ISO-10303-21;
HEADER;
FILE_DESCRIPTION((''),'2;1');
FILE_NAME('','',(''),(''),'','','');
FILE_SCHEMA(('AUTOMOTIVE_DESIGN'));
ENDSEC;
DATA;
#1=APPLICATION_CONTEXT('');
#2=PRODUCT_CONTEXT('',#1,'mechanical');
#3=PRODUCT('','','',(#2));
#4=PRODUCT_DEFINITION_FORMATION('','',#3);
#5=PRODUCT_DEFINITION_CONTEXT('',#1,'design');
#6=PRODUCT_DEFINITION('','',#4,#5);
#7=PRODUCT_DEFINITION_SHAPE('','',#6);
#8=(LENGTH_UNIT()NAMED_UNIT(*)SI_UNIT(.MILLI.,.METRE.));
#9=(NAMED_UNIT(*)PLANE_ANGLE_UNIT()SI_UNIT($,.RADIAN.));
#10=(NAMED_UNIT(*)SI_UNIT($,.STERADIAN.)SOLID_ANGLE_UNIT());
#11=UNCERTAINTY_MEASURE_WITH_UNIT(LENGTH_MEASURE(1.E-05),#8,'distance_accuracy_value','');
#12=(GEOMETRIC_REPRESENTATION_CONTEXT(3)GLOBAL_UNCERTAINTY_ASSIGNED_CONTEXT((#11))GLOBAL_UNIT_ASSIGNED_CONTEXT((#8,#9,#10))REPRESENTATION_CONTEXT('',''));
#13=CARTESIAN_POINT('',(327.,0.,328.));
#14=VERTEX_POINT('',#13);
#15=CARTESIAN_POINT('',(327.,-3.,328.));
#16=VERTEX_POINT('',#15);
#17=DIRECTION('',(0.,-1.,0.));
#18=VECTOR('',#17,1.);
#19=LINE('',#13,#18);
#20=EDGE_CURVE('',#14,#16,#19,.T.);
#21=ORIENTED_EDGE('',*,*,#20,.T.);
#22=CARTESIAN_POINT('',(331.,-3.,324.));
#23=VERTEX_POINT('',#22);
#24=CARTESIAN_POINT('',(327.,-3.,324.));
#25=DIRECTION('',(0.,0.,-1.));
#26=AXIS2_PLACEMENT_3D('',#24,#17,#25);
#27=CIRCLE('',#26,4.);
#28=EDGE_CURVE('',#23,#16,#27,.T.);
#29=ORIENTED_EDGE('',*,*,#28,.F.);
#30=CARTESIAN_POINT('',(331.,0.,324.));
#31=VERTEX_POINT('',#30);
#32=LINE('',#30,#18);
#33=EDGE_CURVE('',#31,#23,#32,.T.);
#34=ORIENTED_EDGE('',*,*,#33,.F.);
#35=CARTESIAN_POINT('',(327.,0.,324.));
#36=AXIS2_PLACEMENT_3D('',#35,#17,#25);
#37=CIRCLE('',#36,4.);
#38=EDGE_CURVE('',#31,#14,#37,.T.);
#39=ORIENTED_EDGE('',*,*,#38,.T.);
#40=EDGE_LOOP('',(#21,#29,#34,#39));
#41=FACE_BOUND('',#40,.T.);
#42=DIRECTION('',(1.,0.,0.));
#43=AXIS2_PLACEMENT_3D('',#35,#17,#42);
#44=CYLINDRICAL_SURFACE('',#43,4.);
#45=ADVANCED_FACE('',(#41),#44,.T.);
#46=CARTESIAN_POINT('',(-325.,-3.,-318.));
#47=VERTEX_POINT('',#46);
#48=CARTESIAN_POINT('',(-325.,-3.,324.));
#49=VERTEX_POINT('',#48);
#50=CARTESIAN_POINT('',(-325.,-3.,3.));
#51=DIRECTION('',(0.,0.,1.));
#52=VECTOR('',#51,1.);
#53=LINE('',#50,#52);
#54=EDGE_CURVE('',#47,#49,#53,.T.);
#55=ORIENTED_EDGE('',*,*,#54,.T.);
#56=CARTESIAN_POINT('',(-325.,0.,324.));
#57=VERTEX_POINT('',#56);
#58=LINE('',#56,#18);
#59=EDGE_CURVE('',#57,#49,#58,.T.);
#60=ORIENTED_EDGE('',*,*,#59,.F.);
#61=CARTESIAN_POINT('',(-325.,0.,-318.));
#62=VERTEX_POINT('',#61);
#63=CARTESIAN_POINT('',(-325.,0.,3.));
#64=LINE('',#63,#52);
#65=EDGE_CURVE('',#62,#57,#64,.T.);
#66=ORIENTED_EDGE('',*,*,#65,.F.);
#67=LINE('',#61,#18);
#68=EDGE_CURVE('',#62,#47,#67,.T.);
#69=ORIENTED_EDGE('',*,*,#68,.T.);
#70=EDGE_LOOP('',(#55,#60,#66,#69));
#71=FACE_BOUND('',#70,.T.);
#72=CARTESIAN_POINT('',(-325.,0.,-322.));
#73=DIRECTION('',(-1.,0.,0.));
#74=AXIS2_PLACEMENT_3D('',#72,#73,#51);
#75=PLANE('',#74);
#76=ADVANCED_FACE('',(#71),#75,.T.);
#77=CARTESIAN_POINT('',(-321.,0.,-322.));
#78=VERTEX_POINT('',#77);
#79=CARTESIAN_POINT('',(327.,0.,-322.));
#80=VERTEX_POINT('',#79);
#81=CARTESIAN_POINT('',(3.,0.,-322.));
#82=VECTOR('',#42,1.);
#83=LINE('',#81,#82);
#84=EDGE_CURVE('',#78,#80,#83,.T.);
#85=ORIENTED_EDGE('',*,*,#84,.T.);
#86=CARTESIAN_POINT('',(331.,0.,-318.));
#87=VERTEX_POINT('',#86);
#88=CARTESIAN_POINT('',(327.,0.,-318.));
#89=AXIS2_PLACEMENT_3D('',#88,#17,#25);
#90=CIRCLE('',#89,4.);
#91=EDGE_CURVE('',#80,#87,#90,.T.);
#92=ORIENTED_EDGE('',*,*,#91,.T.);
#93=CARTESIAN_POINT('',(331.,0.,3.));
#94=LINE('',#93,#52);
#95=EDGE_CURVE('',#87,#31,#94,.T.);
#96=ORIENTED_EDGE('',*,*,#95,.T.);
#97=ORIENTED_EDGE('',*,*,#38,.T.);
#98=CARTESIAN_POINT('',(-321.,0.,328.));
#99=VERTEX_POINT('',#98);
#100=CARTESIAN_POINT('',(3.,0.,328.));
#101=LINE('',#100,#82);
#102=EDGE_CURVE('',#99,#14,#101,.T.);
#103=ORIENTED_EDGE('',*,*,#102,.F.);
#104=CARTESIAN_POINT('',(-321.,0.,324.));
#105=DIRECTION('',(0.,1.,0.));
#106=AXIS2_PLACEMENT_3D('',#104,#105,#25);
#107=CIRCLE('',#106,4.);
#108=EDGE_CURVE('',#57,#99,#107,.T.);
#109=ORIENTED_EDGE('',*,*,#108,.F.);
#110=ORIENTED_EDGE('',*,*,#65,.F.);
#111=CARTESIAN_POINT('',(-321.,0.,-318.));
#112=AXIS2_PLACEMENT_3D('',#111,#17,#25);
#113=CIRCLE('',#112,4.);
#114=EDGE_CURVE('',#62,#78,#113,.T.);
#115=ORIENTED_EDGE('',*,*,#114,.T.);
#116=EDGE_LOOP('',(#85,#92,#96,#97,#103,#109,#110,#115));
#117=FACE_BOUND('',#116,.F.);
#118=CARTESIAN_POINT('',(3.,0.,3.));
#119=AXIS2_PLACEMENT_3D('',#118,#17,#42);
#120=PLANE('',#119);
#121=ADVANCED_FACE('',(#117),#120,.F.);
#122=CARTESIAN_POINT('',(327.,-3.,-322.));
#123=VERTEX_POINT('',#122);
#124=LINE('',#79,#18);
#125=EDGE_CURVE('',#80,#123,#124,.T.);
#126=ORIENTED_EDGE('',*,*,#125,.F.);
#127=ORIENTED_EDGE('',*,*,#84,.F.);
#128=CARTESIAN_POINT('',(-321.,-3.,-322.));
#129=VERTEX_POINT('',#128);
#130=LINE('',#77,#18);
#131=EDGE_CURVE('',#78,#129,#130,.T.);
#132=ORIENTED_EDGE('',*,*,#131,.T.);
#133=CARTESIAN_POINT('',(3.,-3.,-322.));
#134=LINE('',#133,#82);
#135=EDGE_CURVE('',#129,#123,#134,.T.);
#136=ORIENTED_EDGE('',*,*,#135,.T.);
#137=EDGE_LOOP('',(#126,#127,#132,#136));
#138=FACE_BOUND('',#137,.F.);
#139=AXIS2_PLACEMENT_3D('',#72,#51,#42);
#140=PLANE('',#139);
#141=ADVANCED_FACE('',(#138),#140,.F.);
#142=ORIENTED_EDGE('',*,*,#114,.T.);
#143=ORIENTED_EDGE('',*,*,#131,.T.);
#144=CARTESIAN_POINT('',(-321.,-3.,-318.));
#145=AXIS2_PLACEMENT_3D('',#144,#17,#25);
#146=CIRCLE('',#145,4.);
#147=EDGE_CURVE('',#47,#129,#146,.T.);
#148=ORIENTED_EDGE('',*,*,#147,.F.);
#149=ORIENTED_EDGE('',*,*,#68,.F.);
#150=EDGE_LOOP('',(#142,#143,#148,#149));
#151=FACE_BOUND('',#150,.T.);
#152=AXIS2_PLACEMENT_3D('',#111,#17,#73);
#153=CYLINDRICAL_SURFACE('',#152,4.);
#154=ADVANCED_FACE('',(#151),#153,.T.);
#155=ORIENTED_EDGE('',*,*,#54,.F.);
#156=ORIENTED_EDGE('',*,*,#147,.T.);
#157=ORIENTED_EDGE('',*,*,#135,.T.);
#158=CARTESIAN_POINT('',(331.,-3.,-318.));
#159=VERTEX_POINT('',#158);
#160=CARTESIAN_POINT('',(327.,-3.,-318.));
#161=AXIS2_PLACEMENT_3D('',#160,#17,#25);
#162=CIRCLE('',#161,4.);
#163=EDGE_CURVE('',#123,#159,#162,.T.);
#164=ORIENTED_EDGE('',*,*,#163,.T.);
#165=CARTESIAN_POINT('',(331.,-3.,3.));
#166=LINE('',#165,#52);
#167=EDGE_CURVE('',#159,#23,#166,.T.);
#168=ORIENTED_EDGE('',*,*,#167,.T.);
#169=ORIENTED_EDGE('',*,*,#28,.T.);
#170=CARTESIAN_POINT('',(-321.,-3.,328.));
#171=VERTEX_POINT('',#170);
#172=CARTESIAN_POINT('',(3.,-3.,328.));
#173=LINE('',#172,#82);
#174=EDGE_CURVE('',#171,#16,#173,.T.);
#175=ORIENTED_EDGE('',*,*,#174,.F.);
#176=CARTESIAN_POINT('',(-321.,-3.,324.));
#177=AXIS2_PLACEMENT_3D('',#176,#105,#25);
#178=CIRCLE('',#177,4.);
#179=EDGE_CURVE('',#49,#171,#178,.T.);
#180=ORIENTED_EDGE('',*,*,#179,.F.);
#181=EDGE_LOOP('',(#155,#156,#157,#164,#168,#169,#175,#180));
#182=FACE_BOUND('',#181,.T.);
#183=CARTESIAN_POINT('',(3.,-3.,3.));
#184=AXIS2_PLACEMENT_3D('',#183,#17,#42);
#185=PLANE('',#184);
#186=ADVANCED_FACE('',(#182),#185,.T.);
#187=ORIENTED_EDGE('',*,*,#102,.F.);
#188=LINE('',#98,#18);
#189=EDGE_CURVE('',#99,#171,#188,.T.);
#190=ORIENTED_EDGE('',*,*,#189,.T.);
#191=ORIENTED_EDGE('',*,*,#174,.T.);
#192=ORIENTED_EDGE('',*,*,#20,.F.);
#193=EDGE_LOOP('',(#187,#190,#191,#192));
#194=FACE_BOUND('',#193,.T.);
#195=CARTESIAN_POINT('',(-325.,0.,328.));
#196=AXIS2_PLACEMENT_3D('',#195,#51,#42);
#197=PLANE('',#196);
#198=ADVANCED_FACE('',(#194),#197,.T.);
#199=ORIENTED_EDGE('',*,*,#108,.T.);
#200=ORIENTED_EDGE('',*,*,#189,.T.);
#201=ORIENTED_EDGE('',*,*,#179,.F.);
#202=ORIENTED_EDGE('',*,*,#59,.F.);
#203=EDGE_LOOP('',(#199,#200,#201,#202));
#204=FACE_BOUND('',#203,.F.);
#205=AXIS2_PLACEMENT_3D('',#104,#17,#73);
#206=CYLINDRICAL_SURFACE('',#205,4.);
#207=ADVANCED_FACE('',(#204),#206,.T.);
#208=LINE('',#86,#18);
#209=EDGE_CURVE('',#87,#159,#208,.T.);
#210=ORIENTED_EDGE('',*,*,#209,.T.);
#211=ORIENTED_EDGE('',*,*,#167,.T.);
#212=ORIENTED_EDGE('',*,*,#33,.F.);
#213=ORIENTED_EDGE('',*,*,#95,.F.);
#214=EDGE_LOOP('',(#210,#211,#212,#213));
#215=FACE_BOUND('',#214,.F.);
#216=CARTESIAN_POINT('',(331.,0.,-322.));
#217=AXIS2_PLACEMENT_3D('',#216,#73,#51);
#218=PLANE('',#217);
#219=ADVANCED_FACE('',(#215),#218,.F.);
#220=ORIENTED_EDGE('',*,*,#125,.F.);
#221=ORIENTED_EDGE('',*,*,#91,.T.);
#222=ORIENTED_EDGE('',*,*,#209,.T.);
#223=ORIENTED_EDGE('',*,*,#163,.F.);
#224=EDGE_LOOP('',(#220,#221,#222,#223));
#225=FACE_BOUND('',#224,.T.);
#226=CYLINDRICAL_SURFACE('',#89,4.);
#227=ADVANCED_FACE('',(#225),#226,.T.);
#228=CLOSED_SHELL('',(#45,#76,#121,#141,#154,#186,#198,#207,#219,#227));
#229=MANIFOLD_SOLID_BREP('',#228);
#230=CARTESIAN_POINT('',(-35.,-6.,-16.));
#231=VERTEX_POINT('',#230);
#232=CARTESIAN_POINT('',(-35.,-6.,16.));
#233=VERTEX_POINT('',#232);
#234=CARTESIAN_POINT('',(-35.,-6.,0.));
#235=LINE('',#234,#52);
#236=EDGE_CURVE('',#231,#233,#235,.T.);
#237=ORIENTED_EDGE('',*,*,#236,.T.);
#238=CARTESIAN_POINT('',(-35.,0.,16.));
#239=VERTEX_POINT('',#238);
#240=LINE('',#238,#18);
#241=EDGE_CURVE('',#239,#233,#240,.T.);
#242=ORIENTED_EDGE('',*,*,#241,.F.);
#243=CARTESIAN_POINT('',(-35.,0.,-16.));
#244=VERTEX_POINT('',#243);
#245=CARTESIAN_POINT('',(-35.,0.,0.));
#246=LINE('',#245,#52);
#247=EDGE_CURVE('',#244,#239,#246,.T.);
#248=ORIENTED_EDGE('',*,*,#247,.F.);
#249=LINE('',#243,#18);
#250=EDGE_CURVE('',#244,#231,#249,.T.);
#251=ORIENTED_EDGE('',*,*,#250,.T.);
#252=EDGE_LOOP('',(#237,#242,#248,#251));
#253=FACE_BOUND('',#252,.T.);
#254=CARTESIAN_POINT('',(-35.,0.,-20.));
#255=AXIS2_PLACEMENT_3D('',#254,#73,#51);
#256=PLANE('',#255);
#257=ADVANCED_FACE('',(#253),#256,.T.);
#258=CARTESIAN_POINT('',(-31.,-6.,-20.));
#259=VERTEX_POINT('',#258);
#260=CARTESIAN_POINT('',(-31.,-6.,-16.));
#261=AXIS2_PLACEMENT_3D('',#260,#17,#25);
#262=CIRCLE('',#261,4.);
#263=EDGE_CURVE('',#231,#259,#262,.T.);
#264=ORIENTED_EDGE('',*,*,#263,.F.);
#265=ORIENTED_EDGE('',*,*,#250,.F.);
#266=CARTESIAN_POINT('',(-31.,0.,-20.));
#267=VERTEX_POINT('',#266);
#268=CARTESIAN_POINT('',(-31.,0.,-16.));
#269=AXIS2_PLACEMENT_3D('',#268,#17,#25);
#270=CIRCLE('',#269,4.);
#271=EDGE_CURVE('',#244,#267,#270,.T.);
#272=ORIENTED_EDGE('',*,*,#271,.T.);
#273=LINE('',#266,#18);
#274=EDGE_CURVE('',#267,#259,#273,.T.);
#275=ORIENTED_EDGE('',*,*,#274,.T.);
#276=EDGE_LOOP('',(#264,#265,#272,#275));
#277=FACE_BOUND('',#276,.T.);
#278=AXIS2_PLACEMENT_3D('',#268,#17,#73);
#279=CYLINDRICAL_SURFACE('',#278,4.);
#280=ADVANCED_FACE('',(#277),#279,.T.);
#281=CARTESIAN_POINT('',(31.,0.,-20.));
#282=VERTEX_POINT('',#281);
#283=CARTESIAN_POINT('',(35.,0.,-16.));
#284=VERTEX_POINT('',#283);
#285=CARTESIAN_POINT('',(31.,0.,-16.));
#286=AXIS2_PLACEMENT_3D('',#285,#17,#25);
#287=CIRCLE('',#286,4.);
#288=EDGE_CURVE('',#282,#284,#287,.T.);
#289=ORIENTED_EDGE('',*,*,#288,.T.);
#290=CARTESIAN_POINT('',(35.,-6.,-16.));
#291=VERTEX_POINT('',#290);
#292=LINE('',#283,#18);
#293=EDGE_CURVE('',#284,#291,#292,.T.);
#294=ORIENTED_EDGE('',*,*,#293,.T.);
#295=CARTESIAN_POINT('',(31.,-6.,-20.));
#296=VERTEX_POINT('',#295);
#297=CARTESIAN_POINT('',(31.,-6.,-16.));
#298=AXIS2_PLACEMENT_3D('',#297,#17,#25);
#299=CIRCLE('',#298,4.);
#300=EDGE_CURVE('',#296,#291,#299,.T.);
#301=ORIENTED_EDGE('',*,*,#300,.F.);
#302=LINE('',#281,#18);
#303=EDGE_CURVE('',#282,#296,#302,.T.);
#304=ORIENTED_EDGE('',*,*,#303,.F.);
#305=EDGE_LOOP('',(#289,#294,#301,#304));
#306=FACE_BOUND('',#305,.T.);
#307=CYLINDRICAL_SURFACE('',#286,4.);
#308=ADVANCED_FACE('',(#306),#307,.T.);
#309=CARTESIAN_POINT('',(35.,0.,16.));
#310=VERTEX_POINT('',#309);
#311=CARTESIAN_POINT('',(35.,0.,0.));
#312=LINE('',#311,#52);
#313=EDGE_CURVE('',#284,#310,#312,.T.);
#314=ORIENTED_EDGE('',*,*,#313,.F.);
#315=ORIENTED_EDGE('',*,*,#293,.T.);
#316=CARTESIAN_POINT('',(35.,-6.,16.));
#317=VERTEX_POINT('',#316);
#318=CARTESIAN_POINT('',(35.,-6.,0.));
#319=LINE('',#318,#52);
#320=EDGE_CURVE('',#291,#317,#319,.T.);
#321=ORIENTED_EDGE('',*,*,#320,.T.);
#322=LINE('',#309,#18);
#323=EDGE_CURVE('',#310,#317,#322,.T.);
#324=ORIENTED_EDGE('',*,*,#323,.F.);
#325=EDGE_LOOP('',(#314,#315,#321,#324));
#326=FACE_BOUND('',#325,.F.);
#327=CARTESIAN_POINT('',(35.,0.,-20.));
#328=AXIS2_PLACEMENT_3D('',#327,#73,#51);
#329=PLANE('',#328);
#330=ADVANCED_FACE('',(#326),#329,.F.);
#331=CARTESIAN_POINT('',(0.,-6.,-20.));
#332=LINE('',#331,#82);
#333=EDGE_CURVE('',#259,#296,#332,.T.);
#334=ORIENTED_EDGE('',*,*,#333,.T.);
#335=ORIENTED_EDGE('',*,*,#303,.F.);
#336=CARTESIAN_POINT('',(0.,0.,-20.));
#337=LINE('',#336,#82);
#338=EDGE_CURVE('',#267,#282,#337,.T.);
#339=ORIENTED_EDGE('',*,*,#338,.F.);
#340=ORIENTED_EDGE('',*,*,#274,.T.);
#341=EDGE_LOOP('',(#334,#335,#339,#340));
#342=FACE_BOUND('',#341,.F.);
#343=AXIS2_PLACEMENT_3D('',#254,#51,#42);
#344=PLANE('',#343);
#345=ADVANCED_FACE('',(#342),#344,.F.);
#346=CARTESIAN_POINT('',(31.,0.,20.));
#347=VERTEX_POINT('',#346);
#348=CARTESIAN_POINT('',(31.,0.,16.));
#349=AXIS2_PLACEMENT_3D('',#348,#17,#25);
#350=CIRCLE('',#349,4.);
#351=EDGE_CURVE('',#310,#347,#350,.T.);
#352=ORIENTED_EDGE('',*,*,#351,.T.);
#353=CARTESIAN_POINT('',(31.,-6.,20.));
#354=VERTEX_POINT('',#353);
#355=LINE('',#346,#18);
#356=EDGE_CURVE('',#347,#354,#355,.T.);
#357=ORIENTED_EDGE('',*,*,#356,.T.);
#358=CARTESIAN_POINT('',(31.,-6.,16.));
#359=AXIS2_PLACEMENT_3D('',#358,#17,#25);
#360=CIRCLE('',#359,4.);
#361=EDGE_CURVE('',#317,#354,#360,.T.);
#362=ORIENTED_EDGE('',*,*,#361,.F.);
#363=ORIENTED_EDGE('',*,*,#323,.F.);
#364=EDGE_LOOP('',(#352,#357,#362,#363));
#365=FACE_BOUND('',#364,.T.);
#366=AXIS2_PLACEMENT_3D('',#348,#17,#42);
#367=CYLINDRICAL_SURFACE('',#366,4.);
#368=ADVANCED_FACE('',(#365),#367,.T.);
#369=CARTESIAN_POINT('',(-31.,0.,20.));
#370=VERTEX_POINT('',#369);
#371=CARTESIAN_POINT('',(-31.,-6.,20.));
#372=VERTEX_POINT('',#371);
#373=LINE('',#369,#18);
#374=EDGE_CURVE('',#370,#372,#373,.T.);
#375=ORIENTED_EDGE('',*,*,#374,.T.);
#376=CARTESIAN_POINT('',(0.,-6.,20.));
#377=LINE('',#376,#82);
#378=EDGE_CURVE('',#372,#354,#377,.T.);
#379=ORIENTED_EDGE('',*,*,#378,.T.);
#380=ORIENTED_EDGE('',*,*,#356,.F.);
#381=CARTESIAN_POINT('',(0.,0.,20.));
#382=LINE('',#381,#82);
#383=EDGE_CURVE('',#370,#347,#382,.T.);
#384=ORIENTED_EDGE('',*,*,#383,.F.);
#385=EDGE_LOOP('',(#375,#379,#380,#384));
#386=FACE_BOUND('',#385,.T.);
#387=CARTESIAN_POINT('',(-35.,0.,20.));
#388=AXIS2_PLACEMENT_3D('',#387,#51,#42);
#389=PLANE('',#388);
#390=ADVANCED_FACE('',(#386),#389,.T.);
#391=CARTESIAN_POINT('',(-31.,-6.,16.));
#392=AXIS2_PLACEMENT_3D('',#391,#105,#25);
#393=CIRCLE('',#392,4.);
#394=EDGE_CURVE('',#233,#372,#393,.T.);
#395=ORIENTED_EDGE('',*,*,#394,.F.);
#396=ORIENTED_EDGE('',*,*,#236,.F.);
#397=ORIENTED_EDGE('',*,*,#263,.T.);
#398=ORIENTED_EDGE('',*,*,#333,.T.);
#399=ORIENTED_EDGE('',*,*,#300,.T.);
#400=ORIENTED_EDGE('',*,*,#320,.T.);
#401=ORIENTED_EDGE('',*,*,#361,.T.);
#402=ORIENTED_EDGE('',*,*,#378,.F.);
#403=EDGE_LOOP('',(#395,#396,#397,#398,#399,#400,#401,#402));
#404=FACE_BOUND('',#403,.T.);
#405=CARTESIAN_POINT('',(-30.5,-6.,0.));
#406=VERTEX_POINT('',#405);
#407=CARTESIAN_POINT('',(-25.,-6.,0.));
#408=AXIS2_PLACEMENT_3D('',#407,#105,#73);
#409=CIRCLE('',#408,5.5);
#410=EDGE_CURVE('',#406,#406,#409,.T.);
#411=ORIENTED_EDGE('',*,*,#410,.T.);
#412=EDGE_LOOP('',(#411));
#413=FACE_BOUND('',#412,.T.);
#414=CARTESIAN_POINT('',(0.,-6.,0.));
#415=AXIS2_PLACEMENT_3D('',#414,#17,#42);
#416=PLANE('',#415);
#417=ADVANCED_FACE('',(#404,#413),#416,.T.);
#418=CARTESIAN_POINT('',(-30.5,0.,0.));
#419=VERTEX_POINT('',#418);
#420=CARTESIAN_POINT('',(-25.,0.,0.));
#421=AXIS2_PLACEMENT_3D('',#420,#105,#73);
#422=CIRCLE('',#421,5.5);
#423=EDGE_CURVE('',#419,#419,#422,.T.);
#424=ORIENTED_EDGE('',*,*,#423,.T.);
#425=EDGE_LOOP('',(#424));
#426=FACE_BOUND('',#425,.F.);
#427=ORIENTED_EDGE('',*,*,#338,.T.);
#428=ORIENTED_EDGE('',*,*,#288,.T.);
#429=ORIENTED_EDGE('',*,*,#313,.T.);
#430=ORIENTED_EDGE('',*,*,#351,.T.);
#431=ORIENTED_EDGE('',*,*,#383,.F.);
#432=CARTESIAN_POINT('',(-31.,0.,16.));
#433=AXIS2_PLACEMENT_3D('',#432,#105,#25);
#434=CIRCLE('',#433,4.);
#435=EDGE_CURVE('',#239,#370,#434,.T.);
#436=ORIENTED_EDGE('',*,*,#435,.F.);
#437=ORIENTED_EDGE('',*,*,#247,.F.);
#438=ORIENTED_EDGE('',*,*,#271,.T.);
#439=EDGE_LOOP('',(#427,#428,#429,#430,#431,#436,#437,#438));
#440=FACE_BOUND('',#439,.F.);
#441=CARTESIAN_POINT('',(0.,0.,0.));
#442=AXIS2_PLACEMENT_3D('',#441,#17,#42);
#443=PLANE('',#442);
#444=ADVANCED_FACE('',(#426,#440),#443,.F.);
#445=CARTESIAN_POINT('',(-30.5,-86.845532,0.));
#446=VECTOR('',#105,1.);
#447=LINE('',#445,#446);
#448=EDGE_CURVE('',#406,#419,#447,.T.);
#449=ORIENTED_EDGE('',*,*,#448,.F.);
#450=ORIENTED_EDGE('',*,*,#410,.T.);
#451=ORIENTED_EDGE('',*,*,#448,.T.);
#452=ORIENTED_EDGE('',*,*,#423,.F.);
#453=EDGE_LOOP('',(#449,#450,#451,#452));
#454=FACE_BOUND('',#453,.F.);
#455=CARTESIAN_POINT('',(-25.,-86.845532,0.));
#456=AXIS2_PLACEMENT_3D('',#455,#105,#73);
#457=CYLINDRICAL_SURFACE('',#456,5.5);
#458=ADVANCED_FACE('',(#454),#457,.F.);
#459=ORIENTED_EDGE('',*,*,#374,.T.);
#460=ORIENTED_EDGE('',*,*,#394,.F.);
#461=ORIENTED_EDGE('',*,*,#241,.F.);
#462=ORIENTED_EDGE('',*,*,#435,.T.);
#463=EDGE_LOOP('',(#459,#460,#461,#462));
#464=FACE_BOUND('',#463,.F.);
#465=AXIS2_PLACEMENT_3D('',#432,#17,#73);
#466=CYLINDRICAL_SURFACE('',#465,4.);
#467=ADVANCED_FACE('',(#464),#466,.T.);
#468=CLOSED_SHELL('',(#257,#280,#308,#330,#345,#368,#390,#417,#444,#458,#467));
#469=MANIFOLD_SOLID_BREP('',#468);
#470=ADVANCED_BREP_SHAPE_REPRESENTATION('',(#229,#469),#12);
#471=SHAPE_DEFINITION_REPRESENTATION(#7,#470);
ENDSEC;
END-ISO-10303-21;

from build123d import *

# Parameters (mm, degrees)
F0_W     = 70
F0_H     = 40
F1_DEPTH = 6
F2_R     = 4
F4_D     = 11
F5_W     = 656
F5_H     = 650
F6_DEPTH = 3
F7_R     = 4


with BuildPart() as f1:
    # F0 (on Front) → F1 (new body)
    with BuildSketch(Plane.XZ):
        Rectangle(F0_W, F0_H)
    extrude(amount=F1_DEPTH)

    # F2
    f2_edges = [f1.edges().sort_by_distance(p)[0] for p in [
        (35, -3, 20),
        (35, -3, -20),
        (-35, -3, 20),
        (-35, -3, -20),
    ]]
    fillet(f2_edges, radius=F2_R)

    # F4 (through all)
    with Locations(Plane.XZ.offset(6)):
        with Locations((-25, 0)):
            Hole(F4_D / 2)


with BuildPart() as f6:
    # F5 (on Front) → F6 (new body)
    with BuildSketch(Plane.XZ):
        with Locations((3, 3)):
            Rectangle(F5_W, F5_H)
    extrude(amount=F6_DEPTH)

    # F7
    f7_edges = [f6.edges().sort_by_distance(p)[0] for p in [
        (331, -1.5, 328),
        (-325, -1.5, 328),
        (331, -1.5, -322),
        (-325, -1.5, -322),
    ]]
    fillet(f7_edges, radius=F7_R)


solid = Compound([f1.part, f6.part])
